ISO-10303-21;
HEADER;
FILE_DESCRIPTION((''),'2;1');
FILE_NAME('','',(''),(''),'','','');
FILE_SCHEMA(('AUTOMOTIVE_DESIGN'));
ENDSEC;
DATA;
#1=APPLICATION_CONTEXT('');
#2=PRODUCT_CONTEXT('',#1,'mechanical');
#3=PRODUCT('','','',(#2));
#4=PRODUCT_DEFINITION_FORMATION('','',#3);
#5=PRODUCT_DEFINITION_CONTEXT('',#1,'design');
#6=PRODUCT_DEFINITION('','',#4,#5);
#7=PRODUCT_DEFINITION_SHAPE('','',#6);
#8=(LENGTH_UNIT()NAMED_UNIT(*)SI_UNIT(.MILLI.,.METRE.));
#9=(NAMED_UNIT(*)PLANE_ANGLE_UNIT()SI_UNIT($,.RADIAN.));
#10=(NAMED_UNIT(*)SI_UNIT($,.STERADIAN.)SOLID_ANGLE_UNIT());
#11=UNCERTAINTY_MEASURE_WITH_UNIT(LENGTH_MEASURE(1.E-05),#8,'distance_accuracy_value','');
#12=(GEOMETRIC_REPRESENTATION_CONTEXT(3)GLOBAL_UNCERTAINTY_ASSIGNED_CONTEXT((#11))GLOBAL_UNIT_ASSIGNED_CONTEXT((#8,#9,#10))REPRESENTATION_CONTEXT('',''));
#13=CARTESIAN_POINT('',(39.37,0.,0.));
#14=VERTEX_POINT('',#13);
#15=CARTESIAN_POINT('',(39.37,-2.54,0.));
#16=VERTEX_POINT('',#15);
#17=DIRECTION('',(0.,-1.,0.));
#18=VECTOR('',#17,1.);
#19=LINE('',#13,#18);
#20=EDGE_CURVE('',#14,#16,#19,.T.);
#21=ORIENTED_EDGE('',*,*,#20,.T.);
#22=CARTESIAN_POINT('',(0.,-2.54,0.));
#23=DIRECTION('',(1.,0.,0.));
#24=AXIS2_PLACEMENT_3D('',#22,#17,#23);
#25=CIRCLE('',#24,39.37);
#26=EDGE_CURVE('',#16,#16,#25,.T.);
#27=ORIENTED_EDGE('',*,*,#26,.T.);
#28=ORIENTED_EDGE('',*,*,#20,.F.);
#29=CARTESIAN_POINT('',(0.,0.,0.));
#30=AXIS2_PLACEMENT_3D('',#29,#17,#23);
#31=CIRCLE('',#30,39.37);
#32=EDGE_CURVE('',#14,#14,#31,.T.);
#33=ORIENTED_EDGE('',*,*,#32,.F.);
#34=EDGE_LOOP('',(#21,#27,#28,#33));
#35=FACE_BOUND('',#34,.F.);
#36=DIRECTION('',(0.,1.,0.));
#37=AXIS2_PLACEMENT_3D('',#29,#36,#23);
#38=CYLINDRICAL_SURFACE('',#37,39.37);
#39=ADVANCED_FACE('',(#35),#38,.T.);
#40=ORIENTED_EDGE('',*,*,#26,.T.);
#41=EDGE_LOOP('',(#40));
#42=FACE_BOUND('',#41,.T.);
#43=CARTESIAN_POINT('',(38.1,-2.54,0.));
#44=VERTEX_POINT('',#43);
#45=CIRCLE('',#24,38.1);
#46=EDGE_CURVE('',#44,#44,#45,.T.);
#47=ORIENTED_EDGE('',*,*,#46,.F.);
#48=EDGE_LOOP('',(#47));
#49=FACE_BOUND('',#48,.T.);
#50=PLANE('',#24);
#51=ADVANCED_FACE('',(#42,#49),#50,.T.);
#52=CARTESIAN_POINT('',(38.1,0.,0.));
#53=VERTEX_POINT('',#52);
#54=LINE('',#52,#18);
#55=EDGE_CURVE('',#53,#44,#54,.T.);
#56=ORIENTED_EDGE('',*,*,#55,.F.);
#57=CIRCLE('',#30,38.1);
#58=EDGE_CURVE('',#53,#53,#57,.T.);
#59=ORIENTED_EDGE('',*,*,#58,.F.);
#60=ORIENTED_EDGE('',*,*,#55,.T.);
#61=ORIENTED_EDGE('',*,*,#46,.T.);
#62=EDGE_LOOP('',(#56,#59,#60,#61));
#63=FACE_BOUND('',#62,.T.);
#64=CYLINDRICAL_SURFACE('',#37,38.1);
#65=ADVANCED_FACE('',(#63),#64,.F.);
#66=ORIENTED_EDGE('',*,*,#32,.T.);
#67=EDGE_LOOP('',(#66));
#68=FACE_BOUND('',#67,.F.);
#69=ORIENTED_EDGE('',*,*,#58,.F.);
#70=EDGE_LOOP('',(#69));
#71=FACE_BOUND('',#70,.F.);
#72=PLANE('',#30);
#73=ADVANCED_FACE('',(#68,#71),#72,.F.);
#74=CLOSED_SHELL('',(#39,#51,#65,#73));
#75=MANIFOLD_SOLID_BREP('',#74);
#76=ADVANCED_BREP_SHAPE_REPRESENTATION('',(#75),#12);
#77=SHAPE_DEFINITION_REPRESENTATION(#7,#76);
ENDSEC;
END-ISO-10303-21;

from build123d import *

# Parameters (mm, degrees)
F0_R     = 38.1
F1_DEPTH = 2.54


with BuildPart() as f1:
    # F0 (on Front) → F1 (new body)
    with BuildSketch(Plane.XZ):
        with BuildLine():
            ThreePointArc((-39.37, 0), (0, -39.37), (39.37, 0))
            ThreePointArc((39.37, 0), (0, 39.37), (-39.37, 0))
        make_face()
        Circle(F0_R, mode=Mode.SUBTRACT)
    extrude(amount=F1_DEPTH)


solid = f1.part
